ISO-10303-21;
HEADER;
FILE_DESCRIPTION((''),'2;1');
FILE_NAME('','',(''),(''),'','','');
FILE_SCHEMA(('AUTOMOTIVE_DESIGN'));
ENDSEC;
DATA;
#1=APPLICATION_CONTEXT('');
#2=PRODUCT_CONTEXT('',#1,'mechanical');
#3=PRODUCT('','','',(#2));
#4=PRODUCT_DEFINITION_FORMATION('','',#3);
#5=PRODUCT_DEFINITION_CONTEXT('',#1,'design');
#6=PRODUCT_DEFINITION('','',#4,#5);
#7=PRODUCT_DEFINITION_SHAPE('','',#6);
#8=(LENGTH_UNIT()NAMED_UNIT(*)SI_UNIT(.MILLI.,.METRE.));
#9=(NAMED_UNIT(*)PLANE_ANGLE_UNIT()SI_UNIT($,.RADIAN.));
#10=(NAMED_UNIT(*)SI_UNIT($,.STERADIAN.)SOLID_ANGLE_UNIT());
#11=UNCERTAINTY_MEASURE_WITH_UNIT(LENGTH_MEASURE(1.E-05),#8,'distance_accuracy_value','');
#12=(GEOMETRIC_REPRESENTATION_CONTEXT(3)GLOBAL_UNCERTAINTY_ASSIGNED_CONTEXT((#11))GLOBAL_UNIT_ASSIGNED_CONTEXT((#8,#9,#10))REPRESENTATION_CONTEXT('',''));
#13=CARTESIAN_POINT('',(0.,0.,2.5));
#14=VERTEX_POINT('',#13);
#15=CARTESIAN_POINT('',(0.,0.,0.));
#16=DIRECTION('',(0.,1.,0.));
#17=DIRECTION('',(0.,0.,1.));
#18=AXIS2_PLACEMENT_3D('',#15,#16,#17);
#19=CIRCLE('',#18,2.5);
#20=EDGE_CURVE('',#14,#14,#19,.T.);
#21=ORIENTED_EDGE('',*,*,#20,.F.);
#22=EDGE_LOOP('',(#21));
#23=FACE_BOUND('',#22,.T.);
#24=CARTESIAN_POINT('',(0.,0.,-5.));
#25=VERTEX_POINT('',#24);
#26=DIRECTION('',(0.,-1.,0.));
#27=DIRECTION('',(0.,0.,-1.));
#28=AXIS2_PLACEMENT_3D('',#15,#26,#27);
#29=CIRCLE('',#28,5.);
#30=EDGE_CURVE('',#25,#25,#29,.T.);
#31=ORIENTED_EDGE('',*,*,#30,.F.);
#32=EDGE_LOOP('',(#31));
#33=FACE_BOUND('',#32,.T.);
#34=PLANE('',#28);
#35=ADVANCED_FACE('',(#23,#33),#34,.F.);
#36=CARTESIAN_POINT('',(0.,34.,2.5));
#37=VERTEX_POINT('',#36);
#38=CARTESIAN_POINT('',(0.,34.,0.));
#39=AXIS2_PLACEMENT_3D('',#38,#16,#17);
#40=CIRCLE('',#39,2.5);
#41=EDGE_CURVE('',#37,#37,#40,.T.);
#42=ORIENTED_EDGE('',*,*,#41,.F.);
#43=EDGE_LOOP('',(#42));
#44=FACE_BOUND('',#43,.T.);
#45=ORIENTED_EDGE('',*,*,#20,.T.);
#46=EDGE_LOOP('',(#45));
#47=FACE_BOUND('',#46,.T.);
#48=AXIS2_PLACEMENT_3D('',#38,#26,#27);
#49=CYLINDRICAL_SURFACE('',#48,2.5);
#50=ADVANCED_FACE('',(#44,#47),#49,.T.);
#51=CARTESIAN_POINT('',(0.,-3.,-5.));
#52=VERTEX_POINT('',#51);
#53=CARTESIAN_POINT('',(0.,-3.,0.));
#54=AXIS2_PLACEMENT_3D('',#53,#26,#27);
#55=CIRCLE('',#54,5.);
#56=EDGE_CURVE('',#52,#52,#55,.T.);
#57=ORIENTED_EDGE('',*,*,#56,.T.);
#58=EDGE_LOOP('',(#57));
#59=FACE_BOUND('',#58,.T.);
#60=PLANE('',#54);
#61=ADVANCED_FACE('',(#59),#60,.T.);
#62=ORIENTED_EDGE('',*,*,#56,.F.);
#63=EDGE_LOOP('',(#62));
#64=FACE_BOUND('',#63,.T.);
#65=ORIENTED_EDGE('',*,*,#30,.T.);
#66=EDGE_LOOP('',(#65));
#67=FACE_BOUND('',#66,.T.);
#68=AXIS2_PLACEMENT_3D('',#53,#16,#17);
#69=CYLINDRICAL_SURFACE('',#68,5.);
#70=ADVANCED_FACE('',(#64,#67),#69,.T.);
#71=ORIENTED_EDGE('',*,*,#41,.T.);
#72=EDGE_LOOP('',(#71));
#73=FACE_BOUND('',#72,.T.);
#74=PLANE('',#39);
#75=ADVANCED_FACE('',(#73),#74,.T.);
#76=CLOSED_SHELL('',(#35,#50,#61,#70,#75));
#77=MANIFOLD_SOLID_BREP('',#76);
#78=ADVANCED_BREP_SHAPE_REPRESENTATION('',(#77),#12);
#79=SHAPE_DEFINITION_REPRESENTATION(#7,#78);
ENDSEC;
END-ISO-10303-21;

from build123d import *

# Parameters (mm, degrees)
SKETCH1_R           = 2.5
BOSS_EXTRUDE1_DEPTH = 34
SKETCH2_R           = 5
BOSS_EXTRUDE2_DEPTH = 3


with BuildPart() as part:
    # Sketch1 → Boss-Extrude1 (new body)
    with BuildSketch(Plane(origin=(0, 0, 0), x_dir=(1, 0, 0), z_dir=(0, 1, 0))):
        with Locations(Location((0, 0, 0), (0, 0, 270))):
            Circle(SKETCH1_R)
    extrude(amount=BOSS_EXTRUDE1_DEPTH)

    # Sketch2 → Boss-Extrude2 (add)
    with BuildSketch(Plane.XZ):
        with Locations(Location((0, 0, 0), (0, 0, 270))):
            Circle(SKETCH2_R)
    extrude(amount=BOSS_EXTRUDE2_DEPTH)


solid = part.part
